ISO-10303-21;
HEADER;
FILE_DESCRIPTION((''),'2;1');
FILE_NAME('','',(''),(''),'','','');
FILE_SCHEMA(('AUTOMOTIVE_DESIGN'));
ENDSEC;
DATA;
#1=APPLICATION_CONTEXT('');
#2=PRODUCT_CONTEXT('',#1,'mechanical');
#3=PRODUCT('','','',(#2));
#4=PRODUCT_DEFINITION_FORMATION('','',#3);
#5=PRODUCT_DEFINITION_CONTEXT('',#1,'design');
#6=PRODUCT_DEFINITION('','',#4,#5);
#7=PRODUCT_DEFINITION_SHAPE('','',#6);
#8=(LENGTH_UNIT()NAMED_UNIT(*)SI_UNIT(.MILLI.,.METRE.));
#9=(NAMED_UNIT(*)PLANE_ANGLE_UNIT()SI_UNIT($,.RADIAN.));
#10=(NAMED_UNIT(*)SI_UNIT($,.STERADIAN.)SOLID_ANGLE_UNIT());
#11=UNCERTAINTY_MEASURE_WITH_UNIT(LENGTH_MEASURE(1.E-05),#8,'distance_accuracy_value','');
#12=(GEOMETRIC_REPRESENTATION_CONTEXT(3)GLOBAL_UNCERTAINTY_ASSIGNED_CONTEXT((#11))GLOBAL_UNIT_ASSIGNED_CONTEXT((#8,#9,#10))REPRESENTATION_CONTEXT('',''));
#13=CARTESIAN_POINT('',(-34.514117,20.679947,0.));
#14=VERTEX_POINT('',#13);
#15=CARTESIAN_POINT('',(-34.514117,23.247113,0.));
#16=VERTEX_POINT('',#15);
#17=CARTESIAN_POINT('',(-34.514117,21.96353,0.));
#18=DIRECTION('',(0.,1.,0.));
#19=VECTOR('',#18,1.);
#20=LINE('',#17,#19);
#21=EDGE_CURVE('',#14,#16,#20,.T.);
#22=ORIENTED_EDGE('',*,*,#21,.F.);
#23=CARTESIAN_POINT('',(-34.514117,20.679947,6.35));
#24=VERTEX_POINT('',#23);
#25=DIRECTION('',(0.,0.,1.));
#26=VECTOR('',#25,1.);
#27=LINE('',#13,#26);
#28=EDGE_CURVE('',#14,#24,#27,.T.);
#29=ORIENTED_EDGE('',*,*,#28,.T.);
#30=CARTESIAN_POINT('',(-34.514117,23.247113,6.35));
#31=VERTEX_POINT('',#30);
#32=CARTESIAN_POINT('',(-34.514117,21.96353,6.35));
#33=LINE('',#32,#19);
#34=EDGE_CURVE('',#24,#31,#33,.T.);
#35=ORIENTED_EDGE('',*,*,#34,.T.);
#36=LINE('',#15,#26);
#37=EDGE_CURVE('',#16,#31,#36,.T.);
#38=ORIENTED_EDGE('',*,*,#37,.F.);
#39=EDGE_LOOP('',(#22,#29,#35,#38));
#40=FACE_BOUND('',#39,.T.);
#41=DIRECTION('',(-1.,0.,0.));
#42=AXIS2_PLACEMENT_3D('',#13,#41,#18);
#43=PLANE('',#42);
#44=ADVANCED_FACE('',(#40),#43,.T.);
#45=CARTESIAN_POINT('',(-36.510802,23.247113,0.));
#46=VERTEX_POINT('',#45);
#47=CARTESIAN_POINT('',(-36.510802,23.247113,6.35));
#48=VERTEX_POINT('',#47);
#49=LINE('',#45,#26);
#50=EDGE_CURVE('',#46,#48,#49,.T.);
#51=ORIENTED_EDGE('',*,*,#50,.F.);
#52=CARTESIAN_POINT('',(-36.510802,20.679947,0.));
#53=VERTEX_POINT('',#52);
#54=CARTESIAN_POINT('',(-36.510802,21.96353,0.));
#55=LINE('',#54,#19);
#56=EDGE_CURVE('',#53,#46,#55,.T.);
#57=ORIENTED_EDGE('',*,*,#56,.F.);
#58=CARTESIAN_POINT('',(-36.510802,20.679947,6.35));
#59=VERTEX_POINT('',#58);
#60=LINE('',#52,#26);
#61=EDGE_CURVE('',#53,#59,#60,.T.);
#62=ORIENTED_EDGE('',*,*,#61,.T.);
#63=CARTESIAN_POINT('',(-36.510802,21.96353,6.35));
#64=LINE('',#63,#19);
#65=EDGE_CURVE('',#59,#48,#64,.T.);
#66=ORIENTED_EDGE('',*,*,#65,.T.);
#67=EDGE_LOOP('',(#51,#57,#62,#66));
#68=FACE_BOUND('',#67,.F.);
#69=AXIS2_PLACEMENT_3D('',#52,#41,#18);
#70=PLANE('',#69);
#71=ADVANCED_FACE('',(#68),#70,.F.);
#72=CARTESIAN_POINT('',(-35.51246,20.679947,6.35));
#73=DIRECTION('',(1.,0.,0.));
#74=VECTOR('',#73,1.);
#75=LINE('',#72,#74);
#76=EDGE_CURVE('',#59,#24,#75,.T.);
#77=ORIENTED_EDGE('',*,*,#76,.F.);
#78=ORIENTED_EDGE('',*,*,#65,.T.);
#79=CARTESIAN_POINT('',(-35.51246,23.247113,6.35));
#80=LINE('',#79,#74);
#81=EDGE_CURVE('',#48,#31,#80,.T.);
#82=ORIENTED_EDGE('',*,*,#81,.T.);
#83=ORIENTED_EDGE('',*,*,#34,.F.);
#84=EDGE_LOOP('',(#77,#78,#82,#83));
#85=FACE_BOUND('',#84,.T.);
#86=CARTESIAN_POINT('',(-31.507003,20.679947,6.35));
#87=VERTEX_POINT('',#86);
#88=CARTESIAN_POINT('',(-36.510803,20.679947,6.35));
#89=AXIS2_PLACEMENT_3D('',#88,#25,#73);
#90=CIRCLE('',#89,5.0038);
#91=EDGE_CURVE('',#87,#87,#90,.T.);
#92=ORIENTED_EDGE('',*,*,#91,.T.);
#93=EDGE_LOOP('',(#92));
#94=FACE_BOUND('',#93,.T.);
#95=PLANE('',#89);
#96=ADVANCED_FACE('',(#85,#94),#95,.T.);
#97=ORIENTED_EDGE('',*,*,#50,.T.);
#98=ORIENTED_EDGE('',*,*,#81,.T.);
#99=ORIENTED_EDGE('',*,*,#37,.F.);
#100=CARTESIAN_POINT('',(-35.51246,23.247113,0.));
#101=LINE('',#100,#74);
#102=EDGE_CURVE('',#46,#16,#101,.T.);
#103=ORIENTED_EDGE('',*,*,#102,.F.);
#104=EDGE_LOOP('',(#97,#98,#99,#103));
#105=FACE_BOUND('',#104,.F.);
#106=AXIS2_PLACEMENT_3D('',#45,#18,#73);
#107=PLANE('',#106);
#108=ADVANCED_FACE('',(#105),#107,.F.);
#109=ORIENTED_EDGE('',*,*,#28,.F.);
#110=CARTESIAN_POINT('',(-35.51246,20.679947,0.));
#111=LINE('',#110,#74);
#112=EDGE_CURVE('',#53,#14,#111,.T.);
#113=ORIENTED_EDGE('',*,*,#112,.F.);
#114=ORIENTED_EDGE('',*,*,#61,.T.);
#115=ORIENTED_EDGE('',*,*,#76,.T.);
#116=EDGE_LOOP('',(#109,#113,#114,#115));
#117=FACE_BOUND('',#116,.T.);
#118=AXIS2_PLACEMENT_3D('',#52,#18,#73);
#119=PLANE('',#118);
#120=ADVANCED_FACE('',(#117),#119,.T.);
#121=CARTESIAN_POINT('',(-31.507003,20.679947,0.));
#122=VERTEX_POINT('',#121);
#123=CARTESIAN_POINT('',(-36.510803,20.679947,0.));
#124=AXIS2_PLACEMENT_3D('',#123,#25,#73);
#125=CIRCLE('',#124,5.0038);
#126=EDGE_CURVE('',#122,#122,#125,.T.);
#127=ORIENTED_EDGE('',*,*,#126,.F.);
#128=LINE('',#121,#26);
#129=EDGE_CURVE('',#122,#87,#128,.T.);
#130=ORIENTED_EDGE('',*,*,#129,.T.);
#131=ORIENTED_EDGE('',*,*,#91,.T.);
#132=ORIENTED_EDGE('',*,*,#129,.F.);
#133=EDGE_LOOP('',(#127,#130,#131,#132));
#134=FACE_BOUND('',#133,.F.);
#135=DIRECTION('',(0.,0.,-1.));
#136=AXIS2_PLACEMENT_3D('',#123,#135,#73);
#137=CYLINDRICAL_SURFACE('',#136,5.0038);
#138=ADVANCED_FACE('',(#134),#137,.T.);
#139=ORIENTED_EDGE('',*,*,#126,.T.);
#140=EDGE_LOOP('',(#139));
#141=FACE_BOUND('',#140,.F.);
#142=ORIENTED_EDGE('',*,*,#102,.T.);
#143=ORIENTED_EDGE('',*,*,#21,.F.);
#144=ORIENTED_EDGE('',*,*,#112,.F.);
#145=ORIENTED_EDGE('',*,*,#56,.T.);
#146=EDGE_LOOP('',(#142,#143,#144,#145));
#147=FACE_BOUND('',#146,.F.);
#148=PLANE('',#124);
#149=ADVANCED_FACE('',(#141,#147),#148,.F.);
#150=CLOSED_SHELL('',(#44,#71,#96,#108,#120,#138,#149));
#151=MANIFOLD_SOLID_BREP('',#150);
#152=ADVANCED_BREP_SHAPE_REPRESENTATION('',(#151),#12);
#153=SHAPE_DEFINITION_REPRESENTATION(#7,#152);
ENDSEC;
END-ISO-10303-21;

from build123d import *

# Parameters (mm, degrees)
F0_R     = 5.0038
F0_W     = 1.996685
F0_H     = 2.567166
F1_DEPTH = 6.35


with BuildPart() as f1:
    # F0 (on Top) → F1 (new body)
    with BuildSketch(Plane.XY):
        with Locations((-36.510803, 20.679947)):
            Circle(F0_R)
        with Locations((-35.51246, 21.96353)):
            Rectangle(F0_W, F0_H, mode=Mode.SUBTRACT)
    extrude(amount=F1_DEPTH)


solid = f1.part
